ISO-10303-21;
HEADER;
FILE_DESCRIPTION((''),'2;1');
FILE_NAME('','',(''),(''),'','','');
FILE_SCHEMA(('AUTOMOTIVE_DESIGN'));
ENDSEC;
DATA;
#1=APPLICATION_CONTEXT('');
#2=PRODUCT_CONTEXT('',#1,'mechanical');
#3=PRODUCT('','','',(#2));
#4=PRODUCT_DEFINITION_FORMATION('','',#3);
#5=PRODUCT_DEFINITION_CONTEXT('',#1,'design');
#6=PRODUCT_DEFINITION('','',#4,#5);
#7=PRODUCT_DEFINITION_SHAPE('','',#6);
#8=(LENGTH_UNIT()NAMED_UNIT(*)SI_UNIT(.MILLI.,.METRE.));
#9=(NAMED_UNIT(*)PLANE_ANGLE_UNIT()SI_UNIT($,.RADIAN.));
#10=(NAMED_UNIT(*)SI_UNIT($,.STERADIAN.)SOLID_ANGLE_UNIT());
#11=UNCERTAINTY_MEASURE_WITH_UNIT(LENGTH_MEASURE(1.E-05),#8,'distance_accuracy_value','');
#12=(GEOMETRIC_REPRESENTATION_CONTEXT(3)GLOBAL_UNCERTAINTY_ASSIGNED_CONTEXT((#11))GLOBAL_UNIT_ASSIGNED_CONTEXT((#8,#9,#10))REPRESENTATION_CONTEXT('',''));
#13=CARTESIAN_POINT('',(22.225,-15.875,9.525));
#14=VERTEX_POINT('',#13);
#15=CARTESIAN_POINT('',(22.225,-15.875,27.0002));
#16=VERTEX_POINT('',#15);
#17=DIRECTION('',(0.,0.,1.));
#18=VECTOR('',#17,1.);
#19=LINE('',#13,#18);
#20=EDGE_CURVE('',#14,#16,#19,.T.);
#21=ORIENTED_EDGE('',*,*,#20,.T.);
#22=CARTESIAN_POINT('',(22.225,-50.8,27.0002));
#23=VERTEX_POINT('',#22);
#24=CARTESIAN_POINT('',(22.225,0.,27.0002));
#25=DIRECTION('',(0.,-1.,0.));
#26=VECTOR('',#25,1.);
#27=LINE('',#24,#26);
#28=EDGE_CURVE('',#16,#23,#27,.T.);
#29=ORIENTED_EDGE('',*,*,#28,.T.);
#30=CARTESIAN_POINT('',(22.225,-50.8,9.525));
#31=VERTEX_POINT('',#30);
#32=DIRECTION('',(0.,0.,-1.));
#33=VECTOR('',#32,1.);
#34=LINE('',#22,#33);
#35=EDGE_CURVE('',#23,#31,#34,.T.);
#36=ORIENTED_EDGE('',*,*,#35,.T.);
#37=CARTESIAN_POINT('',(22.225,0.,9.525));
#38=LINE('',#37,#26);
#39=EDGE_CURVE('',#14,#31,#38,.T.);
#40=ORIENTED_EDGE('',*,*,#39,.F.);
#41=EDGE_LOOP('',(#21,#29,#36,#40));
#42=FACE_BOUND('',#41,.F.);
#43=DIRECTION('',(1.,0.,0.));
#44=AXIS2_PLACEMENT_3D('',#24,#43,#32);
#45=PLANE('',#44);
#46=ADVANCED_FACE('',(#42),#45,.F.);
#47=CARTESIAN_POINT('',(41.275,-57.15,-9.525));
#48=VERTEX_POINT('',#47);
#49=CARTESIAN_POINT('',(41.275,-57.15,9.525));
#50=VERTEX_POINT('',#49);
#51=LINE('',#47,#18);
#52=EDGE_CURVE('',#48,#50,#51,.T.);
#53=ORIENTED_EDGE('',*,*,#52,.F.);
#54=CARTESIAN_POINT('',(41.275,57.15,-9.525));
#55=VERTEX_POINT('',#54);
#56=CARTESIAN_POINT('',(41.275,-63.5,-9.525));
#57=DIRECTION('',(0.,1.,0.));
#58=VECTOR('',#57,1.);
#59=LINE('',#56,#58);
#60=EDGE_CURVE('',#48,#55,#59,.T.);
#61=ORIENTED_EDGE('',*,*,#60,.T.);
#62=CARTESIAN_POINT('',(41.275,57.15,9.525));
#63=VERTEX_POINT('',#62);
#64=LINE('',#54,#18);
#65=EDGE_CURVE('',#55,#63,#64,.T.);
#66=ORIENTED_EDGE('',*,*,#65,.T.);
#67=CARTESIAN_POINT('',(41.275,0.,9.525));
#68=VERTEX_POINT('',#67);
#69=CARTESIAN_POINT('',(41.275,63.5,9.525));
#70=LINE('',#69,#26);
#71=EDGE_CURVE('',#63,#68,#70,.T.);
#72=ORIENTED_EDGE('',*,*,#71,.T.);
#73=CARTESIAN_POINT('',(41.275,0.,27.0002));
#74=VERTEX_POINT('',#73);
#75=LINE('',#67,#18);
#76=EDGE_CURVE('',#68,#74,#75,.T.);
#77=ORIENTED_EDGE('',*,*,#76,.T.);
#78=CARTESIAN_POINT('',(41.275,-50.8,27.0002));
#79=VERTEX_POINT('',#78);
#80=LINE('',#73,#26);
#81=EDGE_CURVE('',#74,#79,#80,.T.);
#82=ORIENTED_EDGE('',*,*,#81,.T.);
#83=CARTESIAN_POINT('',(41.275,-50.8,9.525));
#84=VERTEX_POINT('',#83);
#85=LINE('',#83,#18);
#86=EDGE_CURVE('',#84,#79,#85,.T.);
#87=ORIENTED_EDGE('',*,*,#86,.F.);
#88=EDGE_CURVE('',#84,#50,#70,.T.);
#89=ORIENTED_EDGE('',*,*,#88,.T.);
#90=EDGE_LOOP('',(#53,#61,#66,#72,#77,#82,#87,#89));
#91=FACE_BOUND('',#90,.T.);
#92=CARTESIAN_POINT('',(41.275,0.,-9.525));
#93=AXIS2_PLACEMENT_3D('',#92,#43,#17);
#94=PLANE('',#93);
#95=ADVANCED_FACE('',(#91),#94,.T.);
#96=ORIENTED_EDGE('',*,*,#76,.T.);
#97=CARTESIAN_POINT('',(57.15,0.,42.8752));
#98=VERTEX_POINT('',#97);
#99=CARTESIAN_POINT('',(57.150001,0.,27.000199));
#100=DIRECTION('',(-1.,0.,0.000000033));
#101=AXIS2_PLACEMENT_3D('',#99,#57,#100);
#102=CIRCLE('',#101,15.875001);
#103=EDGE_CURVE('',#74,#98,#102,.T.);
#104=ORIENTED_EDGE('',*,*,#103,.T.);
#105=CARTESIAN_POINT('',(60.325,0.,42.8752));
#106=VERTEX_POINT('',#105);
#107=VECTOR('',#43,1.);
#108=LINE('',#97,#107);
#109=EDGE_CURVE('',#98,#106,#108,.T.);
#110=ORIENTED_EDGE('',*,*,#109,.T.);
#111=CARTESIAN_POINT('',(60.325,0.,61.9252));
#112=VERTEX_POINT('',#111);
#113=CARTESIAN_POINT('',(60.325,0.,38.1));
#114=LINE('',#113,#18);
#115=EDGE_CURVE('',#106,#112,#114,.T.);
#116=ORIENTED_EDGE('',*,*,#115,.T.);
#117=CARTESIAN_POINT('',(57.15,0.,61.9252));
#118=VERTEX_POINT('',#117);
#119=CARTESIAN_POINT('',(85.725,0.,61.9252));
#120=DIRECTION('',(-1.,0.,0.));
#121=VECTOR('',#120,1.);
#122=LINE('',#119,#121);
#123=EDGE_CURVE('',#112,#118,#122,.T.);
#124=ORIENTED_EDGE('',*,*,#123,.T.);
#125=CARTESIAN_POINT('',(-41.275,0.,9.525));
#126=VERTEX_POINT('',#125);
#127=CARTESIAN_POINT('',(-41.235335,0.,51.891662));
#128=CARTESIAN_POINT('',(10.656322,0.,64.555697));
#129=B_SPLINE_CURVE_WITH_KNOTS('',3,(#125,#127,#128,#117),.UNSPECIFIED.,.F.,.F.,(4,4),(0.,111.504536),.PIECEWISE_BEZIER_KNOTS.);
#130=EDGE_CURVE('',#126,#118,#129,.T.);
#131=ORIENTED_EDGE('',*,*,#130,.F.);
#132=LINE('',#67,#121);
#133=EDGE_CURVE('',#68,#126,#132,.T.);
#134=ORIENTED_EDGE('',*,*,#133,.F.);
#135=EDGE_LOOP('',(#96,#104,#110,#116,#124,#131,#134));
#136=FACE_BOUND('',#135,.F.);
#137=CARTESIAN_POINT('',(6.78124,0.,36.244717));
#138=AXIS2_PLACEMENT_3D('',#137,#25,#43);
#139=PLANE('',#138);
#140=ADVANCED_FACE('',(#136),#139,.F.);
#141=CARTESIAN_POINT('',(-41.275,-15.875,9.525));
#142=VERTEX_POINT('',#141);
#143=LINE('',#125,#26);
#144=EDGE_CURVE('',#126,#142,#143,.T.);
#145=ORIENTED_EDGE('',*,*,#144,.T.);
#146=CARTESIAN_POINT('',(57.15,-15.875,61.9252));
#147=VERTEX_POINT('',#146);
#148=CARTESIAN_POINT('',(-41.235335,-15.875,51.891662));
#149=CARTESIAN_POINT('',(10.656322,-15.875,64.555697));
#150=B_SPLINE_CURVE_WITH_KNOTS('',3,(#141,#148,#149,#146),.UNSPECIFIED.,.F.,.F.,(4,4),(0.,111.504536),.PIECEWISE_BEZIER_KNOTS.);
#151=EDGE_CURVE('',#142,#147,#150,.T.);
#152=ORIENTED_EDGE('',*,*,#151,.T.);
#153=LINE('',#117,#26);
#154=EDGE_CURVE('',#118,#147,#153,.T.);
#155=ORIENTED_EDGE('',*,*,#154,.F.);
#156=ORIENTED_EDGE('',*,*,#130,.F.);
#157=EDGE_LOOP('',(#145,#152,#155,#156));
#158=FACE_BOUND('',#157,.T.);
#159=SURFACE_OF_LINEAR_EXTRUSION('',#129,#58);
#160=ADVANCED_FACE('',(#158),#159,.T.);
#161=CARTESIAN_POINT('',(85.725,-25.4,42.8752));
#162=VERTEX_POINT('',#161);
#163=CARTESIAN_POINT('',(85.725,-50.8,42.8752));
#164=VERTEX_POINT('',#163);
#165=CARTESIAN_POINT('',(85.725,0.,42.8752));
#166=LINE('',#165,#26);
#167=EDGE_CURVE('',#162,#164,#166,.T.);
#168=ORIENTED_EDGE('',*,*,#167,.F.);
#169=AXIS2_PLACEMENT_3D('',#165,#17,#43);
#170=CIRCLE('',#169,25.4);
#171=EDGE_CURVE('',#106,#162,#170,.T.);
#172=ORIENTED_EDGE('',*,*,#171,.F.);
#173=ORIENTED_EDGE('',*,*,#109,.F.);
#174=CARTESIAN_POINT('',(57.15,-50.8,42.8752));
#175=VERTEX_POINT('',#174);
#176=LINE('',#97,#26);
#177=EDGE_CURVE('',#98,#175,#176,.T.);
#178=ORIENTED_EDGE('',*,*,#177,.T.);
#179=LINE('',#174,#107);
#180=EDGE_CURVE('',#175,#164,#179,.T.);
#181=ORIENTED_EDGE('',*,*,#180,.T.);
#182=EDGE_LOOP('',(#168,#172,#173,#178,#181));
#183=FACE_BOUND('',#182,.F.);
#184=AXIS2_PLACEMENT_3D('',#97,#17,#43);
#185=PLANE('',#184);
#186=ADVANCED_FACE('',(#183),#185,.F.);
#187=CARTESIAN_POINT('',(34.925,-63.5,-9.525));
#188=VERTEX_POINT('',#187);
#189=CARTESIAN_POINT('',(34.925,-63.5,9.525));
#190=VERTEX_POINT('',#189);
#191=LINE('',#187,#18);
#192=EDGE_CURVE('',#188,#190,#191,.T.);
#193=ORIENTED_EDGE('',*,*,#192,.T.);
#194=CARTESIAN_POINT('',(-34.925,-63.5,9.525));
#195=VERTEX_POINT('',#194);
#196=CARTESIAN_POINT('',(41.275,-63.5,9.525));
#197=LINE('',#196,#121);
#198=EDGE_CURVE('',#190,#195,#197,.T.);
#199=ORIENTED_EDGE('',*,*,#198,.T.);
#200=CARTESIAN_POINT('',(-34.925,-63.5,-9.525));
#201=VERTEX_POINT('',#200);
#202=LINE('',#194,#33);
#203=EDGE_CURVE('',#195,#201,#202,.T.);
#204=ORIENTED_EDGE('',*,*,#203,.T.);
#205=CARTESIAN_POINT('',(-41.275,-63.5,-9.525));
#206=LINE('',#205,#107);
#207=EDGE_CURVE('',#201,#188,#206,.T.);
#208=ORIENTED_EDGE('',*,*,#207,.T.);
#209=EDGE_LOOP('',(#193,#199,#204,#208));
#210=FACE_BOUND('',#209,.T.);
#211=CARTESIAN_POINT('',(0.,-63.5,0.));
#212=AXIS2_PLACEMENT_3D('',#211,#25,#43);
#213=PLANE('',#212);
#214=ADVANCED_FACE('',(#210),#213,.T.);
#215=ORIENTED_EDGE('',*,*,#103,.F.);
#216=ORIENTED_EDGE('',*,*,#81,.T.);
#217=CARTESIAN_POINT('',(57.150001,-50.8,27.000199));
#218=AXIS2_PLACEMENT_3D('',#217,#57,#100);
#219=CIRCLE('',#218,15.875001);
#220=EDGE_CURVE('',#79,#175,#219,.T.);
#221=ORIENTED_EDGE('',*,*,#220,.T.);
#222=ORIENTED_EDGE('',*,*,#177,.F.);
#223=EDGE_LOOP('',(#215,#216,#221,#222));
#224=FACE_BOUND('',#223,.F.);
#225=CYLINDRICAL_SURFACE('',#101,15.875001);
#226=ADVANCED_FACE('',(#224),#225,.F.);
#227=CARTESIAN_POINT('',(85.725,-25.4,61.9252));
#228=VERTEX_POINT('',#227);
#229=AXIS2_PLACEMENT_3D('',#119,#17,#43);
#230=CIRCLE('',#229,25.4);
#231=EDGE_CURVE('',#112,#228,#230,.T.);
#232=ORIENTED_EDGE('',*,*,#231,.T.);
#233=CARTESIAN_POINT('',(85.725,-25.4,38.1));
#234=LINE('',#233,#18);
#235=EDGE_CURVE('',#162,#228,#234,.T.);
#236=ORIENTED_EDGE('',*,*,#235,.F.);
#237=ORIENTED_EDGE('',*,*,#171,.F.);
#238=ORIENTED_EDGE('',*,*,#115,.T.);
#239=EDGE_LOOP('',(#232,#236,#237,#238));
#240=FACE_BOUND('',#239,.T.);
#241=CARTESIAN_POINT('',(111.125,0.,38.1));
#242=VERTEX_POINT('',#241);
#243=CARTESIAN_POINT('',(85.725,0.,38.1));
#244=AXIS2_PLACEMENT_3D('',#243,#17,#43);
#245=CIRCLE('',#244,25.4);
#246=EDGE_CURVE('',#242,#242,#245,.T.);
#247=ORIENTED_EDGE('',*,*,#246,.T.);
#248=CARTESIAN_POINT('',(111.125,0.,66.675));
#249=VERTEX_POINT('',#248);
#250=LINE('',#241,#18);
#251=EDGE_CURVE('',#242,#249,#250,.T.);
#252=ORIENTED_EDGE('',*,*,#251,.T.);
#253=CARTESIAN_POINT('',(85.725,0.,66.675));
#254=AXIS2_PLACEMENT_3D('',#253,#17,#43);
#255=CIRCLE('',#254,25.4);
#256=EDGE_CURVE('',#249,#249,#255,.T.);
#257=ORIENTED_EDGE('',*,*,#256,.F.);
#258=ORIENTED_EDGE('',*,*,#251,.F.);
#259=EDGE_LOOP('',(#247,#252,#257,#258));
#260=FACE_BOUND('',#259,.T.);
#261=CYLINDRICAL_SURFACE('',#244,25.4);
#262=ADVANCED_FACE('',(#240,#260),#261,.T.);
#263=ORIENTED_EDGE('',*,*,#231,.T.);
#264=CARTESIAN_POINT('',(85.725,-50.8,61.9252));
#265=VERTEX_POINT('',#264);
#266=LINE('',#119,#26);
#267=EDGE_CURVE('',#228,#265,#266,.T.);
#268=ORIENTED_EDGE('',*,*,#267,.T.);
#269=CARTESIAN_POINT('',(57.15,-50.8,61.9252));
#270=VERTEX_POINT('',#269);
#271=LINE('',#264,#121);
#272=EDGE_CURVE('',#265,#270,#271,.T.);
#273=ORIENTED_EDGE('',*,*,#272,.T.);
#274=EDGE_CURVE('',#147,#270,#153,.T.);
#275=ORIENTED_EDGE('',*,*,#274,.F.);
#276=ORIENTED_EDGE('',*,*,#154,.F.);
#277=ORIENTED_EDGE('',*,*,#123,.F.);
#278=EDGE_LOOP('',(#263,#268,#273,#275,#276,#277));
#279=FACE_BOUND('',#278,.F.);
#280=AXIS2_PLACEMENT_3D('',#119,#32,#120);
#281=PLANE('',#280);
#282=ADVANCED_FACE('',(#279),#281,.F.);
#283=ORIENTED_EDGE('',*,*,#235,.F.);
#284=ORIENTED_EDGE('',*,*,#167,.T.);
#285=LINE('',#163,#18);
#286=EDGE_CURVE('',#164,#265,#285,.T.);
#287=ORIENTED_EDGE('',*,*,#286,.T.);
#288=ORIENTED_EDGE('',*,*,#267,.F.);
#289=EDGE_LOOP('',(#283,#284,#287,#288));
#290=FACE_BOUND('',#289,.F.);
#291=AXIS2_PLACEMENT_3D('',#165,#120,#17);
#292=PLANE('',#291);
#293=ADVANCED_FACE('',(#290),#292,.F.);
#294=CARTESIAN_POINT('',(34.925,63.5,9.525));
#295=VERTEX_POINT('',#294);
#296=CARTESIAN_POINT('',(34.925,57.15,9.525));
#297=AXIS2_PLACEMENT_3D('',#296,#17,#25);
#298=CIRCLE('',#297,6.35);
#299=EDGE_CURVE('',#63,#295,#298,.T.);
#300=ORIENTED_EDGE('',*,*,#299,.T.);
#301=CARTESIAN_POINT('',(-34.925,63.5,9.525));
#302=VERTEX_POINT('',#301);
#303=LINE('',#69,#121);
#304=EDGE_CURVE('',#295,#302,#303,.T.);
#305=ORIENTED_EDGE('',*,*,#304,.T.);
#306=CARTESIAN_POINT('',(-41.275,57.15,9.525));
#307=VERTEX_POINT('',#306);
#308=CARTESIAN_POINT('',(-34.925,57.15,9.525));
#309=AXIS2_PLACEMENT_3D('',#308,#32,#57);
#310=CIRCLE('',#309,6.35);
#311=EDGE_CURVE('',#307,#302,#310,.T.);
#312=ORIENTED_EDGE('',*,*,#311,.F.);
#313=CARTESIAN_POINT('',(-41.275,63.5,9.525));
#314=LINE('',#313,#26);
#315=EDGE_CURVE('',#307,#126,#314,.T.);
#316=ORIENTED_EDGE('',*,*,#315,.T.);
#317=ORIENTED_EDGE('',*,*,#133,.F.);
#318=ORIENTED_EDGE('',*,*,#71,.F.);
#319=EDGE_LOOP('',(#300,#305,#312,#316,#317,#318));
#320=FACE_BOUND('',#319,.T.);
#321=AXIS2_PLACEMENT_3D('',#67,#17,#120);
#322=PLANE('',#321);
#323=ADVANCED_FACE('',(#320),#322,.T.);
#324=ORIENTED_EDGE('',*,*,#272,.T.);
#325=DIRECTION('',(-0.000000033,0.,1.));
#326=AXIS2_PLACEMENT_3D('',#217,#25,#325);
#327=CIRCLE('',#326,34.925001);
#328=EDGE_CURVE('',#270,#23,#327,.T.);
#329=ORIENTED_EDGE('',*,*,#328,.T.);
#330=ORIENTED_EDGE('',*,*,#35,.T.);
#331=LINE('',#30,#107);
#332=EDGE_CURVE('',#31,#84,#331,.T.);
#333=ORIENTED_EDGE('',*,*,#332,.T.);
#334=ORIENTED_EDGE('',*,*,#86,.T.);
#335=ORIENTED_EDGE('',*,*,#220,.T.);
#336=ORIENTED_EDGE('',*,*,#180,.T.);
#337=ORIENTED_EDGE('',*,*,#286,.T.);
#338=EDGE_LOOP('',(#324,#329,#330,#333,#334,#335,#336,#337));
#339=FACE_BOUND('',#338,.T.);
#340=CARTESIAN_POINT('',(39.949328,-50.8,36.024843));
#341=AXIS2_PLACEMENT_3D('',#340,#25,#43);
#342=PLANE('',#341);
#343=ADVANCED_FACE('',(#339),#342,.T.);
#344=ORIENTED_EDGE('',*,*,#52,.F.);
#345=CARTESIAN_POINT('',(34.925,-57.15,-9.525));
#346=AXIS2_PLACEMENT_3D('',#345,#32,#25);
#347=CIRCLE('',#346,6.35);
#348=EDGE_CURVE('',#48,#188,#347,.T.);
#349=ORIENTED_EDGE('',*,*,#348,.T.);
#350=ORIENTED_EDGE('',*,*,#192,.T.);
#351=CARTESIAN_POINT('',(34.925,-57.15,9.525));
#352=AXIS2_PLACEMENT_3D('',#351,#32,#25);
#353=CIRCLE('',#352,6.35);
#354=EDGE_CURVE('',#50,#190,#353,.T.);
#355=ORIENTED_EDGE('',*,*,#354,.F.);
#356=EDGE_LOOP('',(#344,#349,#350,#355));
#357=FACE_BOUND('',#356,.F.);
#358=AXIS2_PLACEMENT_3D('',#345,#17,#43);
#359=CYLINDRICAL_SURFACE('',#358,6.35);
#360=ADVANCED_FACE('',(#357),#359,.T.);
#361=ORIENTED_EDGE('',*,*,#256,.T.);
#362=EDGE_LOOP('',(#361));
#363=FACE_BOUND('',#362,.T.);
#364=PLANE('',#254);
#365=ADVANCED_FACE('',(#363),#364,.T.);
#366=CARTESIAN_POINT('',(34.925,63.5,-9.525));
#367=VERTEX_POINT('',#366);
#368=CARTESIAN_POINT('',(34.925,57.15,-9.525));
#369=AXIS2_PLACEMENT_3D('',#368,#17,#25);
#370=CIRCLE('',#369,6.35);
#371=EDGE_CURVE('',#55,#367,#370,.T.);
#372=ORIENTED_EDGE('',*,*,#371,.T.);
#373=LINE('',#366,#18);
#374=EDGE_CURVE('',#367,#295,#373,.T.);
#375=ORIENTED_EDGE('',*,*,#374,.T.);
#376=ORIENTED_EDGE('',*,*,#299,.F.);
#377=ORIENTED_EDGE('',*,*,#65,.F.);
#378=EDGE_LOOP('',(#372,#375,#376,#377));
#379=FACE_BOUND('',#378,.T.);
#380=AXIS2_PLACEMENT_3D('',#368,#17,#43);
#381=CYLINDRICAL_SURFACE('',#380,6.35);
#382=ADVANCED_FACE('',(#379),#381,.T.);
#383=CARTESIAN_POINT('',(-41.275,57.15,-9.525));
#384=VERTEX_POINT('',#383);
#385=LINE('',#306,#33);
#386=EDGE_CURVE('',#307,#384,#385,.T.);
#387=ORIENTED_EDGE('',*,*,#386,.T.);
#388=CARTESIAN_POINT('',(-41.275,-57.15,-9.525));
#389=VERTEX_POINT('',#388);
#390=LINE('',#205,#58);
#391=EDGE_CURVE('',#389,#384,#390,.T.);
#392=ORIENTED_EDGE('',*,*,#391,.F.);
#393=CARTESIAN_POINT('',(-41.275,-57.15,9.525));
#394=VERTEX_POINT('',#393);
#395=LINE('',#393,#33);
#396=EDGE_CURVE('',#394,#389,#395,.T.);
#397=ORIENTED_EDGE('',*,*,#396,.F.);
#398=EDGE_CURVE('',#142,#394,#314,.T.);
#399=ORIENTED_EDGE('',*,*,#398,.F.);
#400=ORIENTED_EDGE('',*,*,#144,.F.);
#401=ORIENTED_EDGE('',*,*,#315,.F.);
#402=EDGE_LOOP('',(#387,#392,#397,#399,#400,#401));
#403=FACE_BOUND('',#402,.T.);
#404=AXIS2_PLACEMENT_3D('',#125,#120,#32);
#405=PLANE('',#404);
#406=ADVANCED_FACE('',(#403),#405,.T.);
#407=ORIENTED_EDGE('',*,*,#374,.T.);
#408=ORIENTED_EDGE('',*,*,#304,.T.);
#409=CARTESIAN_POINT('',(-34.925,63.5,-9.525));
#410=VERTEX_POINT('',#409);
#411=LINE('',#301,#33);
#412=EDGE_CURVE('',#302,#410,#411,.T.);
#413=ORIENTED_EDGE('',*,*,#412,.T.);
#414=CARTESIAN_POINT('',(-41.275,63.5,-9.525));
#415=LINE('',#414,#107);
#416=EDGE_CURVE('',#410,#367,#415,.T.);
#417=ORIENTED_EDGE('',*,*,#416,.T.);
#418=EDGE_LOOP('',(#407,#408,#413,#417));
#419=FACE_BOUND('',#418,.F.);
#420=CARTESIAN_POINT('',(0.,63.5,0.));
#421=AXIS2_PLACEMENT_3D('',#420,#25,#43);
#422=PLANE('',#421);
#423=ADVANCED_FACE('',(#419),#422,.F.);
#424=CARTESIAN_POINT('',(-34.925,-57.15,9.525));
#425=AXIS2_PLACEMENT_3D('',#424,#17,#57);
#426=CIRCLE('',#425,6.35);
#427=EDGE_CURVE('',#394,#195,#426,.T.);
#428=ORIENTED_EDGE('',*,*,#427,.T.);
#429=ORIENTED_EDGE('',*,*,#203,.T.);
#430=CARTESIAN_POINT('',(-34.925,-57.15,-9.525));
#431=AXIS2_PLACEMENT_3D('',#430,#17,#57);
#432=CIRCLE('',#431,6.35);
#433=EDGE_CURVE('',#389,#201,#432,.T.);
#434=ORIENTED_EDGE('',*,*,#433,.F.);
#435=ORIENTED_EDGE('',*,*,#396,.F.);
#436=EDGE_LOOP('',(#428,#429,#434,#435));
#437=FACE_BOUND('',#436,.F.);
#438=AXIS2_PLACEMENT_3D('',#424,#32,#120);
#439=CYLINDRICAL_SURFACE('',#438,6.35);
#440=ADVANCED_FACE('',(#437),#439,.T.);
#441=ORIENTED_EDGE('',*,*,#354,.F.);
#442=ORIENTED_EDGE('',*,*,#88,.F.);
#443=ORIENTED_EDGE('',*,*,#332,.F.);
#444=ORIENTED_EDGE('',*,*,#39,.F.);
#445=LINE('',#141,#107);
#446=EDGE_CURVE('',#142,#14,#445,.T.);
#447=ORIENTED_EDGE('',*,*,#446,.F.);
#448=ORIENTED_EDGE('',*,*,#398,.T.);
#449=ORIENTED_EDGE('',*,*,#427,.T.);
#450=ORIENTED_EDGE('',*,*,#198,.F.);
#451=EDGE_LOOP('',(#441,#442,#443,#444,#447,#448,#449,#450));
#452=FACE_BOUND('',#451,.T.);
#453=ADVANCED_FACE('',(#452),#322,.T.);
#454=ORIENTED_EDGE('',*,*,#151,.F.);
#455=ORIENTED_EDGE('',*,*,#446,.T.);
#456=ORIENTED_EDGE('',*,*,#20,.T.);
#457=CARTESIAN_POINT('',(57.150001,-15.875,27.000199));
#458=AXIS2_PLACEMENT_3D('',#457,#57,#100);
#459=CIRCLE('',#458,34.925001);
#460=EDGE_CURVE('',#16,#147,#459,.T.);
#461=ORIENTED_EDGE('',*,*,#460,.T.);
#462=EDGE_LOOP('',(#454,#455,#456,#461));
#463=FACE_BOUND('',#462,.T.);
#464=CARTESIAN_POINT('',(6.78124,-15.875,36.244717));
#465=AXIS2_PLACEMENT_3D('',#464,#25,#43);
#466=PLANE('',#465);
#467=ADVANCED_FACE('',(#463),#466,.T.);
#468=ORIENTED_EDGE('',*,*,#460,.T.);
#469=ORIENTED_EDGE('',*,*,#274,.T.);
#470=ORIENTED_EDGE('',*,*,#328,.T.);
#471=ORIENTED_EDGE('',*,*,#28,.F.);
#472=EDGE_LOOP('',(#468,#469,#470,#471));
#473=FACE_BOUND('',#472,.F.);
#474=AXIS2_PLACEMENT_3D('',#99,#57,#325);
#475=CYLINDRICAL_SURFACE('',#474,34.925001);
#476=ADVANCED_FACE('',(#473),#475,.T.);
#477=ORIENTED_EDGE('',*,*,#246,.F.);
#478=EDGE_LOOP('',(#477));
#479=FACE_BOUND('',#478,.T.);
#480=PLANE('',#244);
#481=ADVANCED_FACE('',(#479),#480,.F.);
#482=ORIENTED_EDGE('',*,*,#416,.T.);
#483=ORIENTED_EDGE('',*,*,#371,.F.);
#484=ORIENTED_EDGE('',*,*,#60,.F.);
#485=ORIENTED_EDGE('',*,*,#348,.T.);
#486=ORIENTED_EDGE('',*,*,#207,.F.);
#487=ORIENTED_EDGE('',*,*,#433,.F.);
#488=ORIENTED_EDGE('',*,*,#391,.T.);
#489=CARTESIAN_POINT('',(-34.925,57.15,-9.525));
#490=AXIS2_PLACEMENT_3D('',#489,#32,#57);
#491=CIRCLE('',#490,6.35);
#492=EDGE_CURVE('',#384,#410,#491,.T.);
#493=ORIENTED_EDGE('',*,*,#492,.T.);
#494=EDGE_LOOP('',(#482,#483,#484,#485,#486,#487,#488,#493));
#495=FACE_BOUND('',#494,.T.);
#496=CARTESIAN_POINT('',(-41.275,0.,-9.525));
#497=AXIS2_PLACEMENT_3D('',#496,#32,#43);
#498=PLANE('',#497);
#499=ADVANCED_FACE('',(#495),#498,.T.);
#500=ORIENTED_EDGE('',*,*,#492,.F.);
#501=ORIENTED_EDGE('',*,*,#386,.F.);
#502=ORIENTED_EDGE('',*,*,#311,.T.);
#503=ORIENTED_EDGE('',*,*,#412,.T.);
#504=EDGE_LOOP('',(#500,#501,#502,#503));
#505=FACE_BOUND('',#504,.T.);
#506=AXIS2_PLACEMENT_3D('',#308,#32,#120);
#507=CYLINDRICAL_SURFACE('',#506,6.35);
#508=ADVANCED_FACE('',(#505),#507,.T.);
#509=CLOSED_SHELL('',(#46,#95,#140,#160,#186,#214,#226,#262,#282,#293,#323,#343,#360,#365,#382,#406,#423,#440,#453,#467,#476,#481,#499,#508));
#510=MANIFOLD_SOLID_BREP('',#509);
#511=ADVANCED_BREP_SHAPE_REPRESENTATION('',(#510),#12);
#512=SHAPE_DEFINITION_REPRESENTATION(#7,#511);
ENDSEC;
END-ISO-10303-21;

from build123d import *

# Parameters (mm, degrees)
F1_DEPTH = 63.5
F2_DEPTH = 50.8
F3_DEPTH = 15.875
F5_R     = 6.35


with BuildPart() as f1:
    # F0 (on Front) → F1 (new body, symmetric)
    with BuildSketch(Plane.XZ):
        Polygon((41.275, -9.525), (41.275, 9.525), (22.225, 9.525), (-41.275, 9.525), (-41.275, -9.525), align=None)
    extrude(amount=F1_DEPTH, both=True)

    # F0 (on Front) → F2 (join)
    with BuildSketch(Plane.XZ):
        with BuildLine():
            Line((22.225, 9.525), (41.275, 9.525))
            Line((41.275, 9.525), (41.275, 27.0002))
            ThreePointArc((41.275, 27.0002), (45.92468, 38.22552), (57.15, 42.8752))
            Line((57.15, 42.8752), (60.325, 42.8752))
            Line((60.325, 42.8752), (60.325, 61.9252))
            Line((60.325, 61.9252), (57.15, 61.9252))
            ThreePointArc((57.15, 61.9252), (32.454296, 51.695904), (22.225, 27.0002))
            Line((22.225, 27.0002), (22.225, 9.525))
        make_face()
        Polygon((60.325, 61.9252), (60.325, 42.8752), (74.941066, 42.8752), (85.725, 42.8752), (85.725, 61.9252), (74.941066, 61.9252), align=None)
    extrude(amount=F2_DEPTH)

    # F0 (on Front) → F3 (join)
    with BuildSketch(Plane.XZ):
        with BuildLine():
            Line((-41.275, 9.525), (22.225, 9.525))
            Line((22.225, 9.525), (22.225, 27.0002))
            ThreePointArc((22.225, 27.0002), (32.454296, 51.695904), (57.15, 61.9252))
            add(Edge.make_bspline(
                [(-41.275, 9.525), (-41.235335, 51.891662), (10.656322, 64.555697), (57.15, 61.9252)],
                knots=[0, 0, 0, 0, 111.504536, 111.504536, 111.504536, 111.504536], degree=3))
        make_face()
    extrude(amount=F3_DEPTH)

    # F0 (on Front) → F4 (revolve)
    with BuildSketch(Plane.XZ):
        Polygon((85.725, 42.8752), (85.725, 38.1), (111.125, 38.1), (111.125, 66.675), (85.725, 66.675), (85.725, 61.9252), align=None)
    revolve(axis=Axis((85.725, 0, 52.3875), (0, 0, 1)))

    # F5
    f5_edges = [f1.edges().sort_by_distance(p)[0] for p in [
        (-41.275, -63.5, 0),
        (41.275, -63.5, 0),
        (41.275, 63.5, 0),
        (-41.275, 63.5, 0),
    ]]
    fillet(f5_edges, radius=F5_R)


solid = f1.part
